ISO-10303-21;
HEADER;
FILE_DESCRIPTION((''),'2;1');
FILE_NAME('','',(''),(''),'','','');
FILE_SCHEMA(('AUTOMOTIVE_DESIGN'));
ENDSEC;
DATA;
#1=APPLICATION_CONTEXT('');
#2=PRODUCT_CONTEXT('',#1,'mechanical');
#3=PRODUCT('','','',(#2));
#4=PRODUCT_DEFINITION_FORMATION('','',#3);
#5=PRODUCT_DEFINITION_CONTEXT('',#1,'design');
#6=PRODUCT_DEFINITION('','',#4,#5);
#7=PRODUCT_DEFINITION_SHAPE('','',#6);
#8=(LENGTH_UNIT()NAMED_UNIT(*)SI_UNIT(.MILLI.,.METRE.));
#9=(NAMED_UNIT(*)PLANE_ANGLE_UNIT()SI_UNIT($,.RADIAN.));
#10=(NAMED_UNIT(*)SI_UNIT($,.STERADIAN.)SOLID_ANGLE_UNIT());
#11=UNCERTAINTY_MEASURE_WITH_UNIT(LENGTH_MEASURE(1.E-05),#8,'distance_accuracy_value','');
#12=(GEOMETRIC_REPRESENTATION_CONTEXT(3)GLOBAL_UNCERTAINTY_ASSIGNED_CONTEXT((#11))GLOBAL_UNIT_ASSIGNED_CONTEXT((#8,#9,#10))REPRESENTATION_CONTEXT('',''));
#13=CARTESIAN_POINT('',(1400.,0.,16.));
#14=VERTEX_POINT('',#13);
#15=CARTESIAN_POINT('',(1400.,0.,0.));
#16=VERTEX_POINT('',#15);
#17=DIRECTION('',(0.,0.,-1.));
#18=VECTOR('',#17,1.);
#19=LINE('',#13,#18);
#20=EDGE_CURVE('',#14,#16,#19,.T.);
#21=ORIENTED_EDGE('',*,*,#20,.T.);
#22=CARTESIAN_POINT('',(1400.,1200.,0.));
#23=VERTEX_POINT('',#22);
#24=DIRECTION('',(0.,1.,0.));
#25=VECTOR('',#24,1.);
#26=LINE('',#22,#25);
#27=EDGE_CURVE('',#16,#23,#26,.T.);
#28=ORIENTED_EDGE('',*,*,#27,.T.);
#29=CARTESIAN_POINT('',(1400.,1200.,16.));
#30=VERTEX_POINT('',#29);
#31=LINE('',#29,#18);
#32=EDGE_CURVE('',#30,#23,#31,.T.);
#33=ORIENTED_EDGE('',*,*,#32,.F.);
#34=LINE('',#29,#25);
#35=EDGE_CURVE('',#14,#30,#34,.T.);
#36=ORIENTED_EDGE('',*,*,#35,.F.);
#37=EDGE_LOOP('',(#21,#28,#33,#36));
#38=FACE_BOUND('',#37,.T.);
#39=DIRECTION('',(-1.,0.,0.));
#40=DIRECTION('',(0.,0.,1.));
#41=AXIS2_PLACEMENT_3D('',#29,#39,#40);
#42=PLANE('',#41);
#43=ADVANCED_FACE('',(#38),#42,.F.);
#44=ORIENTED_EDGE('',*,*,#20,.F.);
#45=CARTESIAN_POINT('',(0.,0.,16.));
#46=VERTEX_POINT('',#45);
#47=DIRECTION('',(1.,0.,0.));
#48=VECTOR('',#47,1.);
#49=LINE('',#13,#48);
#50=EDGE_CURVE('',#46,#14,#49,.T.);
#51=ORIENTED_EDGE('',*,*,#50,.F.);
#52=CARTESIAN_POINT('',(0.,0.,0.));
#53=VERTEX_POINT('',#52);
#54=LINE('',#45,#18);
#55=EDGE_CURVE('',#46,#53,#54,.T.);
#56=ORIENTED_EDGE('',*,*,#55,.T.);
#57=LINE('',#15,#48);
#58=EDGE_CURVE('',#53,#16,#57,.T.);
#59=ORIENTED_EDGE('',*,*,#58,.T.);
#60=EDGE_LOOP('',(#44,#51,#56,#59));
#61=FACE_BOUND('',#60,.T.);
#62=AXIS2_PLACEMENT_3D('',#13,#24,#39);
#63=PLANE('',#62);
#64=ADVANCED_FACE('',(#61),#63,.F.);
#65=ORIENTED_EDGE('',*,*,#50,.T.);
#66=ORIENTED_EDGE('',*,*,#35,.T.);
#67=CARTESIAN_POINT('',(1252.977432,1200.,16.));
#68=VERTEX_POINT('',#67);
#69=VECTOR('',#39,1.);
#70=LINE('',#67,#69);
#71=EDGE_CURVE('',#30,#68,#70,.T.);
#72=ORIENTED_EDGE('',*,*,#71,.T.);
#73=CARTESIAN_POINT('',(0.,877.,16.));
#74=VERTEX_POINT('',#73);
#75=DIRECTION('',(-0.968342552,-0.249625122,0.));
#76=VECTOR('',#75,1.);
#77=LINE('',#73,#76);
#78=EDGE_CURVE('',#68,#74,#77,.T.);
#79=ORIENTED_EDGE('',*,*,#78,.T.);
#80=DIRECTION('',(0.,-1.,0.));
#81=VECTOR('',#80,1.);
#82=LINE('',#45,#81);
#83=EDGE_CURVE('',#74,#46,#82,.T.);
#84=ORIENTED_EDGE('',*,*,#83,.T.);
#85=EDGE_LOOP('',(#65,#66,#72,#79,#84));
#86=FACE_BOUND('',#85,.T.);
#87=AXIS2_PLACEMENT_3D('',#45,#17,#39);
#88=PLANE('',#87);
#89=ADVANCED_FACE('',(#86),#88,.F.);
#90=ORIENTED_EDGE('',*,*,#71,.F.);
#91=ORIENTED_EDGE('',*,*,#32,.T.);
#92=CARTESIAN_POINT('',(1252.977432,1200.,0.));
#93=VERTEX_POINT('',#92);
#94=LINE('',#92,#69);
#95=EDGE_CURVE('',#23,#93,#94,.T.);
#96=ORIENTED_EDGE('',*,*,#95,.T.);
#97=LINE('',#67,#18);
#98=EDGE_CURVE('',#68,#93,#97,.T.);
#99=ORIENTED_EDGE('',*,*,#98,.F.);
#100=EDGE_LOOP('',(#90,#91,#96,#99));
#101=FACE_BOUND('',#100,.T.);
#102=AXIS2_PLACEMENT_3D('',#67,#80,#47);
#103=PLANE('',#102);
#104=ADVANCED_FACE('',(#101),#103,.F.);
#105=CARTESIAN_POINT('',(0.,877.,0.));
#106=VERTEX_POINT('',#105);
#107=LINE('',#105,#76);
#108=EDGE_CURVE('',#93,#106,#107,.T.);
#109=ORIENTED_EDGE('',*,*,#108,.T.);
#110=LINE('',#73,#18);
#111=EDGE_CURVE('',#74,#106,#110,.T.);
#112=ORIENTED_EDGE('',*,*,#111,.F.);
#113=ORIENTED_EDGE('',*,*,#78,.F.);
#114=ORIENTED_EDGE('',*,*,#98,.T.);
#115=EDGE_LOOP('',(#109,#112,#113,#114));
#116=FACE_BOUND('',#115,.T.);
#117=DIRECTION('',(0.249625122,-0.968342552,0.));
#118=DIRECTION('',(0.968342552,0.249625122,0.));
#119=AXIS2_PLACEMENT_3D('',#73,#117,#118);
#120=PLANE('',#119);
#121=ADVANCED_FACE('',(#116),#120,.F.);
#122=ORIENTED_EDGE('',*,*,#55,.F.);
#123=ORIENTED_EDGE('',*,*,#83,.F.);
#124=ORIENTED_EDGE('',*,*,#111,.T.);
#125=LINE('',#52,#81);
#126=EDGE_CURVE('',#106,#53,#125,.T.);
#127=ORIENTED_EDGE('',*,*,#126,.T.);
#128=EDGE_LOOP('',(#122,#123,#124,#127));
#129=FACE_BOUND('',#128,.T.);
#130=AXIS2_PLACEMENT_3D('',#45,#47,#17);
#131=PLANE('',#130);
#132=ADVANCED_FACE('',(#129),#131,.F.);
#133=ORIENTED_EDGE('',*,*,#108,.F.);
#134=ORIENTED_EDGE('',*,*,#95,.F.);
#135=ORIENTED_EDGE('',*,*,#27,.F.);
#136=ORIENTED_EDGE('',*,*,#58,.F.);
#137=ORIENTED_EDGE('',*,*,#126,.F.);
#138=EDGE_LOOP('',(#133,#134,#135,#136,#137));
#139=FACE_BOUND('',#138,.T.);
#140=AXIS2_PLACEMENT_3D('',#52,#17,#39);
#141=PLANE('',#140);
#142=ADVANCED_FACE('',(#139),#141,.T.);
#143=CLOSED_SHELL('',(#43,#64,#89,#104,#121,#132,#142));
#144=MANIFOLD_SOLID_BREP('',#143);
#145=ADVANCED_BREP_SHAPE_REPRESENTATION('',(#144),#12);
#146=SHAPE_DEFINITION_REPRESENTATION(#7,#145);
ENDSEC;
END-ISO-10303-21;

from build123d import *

# Parameters (mm, degrees)
AUFSATZ_LINEAR_AUSTRAGEN1_DEPTH = 16


with BuildPart() as part:
    # Skizze1 → Aufsatz-Linear austragen1 (new body)
    with BuildSketch(Plane.XY):
        Polygon((0, 0), (0, 877), (1252.977431987, 1200), (1400, 1200), (1400, 0), align=None)
    extrude(amount=AUFSATZ_LINEAR_AUSTRAGEN1_DEPTH)


solid = part.part
